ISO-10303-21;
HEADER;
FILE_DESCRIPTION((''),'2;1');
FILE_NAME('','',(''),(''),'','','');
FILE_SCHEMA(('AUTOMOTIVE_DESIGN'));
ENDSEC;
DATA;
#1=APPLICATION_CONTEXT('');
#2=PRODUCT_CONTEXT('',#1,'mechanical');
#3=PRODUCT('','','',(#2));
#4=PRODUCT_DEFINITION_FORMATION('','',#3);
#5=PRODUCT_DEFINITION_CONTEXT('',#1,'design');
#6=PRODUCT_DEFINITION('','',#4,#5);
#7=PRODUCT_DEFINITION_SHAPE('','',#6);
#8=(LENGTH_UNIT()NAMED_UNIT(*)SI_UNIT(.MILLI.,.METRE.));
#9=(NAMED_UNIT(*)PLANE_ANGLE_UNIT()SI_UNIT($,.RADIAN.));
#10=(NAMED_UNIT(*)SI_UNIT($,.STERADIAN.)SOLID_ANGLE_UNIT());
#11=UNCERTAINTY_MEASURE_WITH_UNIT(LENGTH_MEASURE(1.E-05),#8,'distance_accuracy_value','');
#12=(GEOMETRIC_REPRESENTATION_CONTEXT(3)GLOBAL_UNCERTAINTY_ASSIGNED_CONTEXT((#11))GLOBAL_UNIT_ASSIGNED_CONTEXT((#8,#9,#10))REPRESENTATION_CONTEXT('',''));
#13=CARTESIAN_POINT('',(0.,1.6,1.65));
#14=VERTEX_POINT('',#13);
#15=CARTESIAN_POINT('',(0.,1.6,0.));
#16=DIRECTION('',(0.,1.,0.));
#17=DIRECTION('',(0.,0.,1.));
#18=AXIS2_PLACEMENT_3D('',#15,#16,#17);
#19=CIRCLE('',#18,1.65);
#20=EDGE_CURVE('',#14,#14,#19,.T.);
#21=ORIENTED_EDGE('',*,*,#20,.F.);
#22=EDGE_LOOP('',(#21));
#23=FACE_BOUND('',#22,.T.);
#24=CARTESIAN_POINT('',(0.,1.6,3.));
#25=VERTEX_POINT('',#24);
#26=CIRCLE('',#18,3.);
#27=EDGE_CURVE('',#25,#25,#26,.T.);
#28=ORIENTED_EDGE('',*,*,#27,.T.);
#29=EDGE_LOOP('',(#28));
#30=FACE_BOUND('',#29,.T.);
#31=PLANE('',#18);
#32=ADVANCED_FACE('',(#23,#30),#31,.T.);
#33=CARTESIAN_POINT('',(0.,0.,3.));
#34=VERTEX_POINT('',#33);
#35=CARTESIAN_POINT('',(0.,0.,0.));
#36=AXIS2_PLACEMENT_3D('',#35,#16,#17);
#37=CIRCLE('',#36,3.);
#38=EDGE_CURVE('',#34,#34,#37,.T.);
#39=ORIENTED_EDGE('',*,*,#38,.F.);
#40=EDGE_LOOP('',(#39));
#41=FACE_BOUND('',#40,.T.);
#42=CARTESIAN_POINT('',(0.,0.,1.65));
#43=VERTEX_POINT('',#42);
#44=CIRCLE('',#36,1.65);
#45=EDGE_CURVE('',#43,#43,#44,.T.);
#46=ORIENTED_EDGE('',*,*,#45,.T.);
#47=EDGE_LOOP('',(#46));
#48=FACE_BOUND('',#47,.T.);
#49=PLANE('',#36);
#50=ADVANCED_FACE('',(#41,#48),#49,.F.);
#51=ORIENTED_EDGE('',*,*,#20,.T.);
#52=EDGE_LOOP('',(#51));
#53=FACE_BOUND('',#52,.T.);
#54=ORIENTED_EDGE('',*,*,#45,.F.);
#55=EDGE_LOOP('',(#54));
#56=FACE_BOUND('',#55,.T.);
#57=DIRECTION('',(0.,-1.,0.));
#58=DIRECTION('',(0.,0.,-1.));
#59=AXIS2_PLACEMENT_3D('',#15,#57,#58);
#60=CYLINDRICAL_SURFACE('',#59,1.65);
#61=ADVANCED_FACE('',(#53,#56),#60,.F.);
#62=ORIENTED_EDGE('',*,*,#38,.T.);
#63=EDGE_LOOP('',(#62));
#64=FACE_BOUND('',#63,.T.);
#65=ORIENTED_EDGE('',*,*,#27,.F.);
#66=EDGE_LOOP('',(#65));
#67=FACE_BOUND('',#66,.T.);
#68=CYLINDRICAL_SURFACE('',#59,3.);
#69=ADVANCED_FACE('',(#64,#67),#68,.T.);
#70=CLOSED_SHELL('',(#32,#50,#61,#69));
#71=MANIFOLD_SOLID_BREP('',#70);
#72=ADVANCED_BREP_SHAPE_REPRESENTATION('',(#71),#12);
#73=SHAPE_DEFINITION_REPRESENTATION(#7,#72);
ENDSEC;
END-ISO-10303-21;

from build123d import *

# Parameters (mm, degrees)
SKETCH1_R           = 3
SKETCH1_R_2         = 1.65
BOSS_EXTRUDE1_DEPTH = 1.6


with BuildPart() as part:
    # Sketch1 → Boss-Extrude1 (new body)
    with BuildSketch(Plane(origin=(0, 0, 0), x_dir=(1, 0, 0), z_dir=(0, 1, 0))):
        Circle(SKETCH1_R)
        Circle(SKETCH1_R_2, mode=Mode.SUBTRACT)
    extrude(amount=BOSS_EXTRUDE1_DEPTH)


solid = part.part
